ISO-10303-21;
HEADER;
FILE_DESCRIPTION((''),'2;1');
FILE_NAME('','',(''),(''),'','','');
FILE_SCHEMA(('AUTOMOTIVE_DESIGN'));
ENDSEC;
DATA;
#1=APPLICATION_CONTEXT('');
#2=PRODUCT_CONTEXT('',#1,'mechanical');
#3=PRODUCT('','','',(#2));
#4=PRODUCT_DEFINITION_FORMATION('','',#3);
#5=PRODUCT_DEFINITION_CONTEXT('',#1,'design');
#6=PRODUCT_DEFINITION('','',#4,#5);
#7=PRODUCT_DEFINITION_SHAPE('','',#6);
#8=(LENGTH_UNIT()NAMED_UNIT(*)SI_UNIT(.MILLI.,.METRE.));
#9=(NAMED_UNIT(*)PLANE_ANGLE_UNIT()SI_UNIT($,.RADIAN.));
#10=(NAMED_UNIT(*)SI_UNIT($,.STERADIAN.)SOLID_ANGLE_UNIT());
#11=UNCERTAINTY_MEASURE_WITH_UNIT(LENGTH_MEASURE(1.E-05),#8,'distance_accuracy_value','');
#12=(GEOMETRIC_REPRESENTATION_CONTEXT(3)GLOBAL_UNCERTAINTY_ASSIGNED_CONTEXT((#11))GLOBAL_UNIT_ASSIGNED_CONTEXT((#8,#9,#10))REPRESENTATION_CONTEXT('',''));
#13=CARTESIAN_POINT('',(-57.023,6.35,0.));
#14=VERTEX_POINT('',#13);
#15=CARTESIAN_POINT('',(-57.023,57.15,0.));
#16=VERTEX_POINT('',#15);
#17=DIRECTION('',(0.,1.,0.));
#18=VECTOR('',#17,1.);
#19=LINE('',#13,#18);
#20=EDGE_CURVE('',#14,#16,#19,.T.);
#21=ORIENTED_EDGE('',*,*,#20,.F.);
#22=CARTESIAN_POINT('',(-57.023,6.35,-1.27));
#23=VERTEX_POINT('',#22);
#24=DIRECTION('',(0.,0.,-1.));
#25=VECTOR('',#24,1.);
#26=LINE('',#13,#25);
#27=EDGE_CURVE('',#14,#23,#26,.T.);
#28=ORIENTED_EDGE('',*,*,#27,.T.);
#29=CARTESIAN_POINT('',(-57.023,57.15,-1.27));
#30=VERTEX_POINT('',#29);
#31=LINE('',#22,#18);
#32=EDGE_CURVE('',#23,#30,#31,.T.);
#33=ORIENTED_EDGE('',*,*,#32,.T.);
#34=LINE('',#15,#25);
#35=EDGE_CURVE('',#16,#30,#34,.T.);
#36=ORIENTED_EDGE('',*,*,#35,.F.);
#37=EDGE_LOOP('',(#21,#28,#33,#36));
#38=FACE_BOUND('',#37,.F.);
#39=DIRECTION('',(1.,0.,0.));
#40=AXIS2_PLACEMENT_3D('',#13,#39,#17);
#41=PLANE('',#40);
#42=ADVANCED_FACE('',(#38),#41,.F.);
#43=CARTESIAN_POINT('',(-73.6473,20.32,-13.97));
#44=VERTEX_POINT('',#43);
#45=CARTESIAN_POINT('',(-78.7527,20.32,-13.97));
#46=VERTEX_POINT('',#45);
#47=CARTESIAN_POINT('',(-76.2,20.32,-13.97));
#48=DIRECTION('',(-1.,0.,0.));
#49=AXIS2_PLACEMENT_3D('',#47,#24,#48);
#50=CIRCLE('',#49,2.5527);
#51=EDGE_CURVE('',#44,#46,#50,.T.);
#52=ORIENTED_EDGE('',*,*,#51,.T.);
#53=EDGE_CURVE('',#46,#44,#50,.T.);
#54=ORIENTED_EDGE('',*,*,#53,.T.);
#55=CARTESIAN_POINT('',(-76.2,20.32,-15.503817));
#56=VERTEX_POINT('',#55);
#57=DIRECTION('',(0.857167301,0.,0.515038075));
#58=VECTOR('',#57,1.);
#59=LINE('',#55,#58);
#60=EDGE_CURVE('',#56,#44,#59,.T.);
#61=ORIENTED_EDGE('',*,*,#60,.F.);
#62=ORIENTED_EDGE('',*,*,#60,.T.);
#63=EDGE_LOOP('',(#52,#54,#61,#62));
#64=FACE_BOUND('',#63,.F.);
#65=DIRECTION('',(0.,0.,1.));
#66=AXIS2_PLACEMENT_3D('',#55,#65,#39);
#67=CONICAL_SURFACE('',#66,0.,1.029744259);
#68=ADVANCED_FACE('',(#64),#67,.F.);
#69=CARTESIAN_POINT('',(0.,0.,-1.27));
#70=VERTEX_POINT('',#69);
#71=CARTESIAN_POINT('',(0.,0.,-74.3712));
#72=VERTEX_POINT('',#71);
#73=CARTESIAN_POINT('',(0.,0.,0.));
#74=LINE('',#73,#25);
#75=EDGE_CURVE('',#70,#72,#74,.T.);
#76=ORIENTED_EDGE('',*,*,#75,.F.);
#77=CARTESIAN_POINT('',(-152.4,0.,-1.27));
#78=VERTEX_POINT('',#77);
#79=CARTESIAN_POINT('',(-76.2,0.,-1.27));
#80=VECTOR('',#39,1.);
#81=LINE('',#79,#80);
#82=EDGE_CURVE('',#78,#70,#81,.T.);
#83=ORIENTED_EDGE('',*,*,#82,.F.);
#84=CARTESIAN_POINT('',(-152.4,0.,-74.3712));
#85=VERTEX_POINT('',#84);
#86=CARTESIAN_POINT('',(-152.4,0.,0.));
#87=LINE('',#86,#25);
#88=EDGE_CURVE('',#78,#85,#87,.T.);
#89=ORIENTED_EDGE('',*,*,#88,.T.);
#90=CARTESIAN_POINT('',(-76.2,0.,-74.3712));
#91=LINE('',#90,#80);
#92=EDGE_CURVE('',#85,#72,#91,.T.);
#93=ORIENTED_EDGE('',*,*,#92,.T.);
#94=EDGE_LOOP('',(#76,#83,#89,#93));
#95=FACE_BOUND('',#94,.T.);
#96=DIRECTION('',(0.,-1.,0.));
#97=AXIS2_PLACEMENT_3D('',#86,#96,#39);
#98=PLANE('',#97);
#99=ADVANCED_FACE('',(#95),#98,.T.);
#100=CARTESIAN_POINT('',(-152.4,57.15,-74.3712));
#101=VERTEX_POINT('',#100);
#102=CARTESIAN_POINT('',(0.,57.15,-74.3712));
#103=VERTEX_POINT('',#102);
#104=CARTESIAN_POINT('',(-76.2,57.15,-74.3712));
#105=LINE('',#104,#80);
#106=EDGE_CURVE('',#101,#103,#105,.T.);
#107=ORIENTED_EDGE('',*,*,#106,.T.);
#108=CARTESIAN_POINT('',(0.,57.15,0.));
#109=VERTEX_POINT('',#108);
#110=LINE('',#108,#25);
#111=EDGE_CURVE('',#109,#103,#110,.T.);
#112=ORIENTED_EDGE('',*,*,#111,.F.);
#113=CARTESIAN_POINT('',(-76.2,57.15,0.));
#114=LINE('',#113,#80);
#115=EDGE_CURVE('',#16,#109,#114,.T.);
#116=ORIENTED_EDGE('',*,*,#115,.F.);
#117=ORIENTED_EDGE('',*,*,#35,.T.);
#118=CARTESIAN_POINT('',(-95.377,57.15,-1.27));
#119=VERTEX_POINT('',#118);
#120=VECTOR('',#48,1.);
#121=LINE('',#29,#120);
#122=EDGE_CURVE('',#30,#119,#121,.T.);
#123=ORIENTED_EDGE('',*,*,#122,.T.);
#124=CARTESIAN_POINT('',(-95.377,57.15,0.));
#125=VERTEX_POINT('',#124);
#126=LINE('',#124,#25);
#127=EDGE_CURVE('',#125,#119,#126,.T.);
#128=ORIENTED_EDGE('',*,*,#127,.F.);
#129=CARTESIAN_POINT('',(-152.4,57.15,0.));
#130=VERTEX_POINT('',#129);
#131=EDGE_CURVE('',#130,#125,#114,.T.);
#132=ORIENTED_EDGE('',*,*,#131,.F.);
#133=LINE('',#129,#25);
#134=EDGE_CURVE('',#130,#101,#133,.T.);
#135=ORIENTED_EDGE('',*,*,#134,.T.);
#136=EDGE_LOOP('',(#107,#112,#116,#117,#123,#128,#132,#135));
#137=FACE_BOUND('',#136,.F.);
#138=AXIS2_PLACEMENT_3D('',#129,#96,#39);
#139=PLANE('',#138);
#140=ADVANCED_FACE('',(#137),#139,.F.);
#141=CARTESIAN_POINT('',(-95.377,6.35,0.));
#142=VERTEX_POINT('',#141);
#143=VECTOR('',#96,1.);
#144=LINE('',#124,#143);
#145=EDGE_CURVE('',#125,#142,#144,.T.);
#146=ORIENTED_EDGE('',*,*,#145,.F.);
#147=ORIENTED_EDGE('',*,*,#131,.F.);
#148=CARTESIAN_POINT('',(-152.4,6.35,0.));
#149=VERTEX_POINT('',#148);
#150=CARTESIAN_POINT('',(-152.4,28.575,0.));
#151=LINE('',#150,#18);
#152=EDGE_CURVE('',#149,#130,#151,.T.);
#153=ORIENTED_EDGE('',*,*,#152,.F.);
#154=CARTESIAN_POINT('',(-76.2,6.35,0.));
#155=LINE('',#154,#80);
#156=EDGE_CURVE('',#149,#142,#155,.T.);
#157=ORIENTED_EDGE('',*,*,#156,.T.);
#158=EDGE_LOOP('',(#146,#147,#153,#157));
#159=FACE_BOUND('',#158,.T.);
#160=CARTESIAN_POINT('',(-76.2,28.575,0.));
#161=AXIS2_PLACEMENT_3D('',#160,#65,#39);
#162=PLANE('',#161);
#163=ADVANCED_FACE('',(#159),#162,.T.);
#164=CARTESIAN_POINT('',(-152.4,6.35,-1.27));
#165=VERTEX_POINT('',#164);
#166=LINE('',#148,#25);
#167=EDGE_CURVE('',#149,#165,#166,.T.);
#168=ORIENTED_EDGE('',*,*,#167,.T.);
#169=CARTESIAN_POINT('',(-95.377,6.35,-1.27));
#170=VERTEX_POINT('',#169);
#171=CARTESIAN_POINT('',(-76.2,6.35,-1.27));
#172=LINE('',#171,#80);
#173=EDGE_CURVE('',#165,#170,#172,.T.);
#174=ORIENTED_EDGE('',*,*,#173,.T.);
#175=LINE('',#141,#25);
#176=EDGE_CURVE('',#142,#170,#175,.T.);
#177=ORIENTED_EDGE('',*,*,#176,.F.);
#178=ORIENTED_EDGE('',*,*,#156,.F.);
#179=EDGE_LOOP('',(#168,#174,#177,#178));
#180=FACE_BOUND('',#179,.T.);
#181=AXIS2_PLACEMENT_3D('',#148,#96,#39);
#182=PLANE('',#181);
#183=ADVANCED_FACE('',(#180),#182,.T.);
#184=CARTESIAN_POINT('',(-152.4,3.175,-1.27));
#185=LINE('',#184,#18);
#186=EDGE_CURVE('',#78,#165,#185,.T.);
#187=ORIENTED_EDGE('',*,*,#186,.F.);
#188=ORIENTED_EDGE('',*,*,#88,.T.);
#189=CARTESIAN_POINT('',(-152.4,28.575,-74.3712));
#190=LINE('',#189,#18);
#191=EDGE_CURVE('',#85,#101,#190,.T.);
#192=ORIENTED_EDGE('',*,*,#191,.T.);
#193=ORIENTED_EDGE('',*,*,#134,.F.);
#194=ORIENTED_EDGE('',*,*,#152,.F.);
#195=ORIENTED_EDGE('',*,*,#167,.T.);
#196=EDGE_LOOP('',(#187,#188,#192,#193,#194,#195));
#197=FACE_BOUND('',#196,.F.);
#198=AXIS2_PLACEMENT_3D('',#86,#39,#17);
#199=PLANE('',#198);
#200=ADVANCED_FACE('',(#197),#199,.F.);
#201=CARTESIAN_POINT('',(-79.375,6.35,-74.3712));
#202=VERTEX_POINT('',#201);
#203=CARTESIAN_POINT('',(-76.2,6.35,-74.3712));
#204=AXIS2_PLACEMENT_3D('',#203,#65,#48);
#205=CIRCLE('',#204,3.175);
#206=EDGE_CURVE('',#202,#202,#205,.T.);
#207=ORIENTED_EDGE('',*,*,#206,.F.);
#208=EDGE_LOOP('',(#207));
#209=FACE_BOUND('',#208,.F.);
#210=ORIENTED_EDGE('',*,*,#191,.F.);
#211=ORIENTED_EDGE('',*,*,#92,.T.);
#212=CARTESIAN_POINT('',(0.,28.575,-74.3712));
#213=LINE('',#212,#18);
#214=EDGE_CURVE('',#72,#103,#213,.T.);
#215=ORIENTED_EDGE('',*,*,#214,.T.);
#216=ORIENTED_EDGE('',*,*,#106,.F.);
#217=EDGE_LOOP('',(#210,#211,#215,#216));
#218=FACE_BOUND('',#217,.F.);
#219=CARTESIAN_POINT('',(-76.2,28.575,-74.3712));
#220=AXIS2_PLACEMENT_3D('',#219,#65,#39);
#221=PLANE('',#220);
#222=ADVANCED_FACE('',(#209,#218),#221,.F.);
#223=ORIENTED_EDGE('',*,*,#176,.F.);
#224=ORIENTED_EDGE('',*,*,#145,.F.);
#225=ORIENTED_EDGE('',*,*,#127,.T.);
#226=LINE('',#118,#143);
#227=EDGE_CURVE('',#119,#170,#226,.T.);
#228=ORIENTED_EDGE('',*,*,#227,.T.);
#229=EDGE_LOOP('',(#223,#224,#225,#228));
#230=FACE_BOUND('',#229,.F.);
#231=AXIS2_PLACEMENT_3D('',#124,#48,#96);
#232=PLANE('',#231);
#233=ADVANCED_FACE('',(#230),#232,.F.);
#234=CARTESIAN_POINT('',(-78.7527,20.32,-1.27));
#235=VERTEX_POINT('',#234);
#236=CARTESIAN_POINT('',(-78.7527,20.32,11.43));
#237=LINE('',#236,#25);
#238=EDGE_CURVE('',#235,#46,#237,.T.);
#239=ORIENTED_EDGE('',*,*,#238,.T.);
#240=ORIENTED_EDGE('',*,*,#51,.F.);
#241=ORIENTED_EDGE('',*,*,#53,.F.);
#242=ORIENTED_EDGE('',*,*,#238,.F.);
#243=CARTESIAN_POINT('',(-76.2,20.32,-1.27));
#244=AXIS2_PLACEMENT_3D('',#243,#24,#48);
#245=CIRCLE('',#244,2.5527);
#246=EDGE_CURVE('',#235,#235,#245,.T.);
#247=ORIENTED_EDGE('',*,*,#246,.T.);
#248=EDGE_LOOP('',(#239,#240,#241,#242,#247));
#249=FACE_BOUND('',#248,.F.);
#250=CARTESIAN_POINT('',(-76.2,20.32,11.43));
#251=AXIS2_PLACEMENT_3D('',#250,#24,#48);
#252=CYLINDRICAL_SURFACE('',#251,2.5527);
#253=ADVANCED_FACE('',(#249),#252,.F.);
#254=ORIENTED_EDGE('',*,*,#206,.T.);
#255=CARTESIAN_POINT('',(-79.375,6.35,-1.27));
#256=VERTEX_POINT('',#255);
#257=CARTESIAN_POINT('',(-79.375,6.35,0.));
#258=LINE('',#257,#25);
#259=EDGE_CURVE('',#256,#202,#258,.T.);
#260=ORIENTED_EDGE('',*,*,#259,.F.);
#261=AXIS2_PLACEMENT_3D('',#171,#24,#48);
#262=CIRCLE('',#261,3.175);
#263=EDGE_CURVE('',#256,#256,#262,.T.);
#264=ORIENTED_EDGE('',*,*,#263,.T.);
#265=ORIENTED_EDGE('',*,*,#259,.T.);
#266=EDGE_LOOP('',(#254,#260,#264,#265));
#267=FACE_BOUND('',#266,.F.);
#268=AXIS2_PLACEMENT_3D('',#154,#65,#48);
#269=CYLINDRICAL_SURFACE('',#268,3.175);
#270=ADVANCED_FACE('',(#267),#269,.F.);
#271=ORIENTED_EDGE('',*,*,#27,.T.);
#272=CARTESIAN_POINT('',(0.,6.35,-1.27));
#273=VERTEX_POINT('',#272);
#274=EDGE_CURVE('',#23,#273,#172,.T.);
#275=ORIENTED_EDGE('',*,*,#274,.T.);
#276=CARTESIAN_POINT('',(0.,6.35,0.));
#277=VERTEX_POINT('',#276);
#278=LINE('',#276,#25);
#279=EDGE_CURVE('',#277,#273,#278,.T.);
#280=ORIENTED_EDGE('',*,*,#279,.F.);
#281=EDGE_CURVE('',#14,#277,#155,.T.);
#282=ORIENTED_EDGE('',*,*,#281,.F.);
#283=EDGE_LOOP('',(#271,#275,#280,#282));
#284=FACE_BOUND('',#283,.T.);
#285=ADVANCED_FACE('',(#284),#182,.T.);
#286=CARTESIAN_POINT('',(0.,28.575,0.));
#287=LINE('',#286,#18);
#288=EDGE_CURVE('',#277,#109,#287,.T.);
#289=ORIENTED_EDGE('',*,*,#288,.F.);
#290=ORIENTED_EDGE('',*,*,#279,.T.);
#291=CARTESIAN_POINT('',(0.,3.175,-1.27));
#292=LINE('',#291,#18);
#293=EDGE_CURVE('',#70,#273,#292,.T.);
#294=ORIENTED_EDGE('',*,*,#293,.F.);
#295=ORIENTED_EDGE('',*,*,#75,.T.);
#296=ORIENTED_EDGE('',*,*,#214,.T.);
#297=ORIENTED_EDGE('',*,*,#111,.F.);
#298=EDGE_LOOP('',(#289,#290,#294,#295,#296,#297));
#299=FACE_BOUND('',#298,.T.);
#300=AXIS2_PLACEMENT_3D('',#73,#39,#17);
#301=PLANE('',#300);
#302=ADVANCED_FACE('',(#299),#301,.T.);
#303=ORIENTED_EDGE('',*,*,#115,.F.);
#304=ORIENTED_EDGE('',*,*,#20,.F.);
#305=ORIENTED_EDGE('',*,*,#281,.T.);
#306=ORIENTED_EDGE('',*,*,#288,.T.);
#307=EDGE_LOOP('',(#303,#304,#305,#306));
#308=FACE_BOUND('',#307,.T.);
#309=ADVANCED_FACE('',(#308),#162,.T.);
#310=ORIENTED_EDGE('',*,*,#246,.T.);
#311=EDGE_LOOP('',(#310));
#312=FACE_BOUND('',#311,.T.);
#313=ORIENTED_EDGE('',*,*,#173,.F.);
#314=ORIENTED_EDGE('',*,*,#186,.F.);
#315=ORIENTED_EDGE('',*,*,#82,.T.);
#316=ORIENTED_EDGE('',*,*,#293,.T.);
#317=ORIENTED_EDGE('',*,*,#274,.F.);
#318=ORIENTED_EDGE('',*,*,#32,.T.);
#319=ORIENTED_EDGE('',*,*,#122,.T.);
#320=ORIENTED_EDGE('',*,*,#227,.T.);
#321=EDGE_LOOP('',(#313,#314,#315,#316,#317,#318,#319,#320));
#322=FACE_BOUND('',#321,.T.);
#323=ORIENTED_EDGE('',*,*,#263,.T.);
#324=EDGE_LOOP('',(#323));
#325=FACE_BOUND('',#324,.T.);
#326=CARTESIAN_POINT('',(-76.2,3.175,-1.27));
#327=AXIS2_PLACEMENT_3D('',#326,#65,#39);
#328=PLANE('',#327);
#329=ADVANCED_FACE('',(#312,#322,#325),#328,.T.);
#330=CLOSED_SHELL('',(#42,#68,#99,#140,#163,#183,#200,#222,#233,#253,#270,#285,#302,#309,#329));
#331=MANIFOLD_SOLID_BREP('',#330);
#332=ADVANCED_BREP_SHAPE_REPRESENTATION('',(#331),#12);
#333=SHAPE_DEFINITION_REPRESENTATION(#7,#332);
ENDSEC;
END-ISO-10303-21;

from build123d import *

# Parameters (mm, degrees)
F0_W     = 152.4
F0_H     = 57.15
F1_DEPTH = 74.3712
F2_W     = 152.4
F2_H     = 6.35
F3_DEPTH = 1.27
F5_DEPTH = 74.3722
F7_DEPTH = 1.27
F8_D     = 5.1054
F8_DEPTH = 12.7
F8_START = 1.27
F8_TIP   = 1.5338169022


with BuildPart() as f1:
    # F0 (on Top) → F1 (new body)
    with BuildSketch(Plane.XY):
        with Locations((-76.2, 28.575)):
            Rectangle(F0_W, F0_H)
    extrude(amount=-F1_DEPTH)

    # F2 (on face) → F3 (cut)
    with BuildSketch(Plane.XY):
        with Locations((-76.2, 3.175)):
            Rectangle(F2_W, F2_H)
    extrude(amount=-F3_DEPTH, mode=Mode.SUBTRACT)

    # F4 (on face) → F5 (cut, through all)
    with BuildSketch(Plane.XY):
        with BuildLine():
            Line((-79.375, 6.35), (-73.025, 6.35))
            ThreePointArc((-73.025, 6.35), (-76.2, 9.525), (-79.375, 6.35))
        make_face()
        with BuildLine():
            ThreePointArc((-79.375, 6.35), (-76.2, 3.175), (-73.025, 6.35))
            Line((-73.025, 6.35), (-79.375, 6.35))
        make_face()
    extrude(amount=-F5_DEPTH, mode=Mode.SUBTRACT)

    # F6 (on face) → F7 (cut)
    with BuildSketch(Plane.XY):
        with BuildLine():
            Line((-95.377, 6.35), (-79.375, 6.35))
            ThreePointArc((-79.375, 6.35), (-76.2, 9.525), (-73.025, 6.35))
            Line((-73.025, 6.35), (-57.023, 6.35))
            Line((-57.023, 6.35), (-57.023, 57.15))
            Line((-57.023, 57.15), (-95.377, 57.15))
            Line((-95.377, 57.15), (-95.377, 6.35))
        make_face()
    extrude(amount=-F7_DEPTH, mode=Mode.SUBTRACT)

    # F8
    # its depths count from where the whole tool has entered the part; down to there all is cleared
    with Locations(Plane.XY.offset(-F8_START)):
        with Locations((-76.2, 20.32)):
            Hole(F8_D / 2, depth=F8_DEPTH)
            with Locations((0, 0, -(F8_DEPTH + F8_TIP / 2))):  # 118° drill point
                Cone(0, F8_D / 2, F8_TIP, mode=Mode.SUBTRACT)


solid = f1.part
